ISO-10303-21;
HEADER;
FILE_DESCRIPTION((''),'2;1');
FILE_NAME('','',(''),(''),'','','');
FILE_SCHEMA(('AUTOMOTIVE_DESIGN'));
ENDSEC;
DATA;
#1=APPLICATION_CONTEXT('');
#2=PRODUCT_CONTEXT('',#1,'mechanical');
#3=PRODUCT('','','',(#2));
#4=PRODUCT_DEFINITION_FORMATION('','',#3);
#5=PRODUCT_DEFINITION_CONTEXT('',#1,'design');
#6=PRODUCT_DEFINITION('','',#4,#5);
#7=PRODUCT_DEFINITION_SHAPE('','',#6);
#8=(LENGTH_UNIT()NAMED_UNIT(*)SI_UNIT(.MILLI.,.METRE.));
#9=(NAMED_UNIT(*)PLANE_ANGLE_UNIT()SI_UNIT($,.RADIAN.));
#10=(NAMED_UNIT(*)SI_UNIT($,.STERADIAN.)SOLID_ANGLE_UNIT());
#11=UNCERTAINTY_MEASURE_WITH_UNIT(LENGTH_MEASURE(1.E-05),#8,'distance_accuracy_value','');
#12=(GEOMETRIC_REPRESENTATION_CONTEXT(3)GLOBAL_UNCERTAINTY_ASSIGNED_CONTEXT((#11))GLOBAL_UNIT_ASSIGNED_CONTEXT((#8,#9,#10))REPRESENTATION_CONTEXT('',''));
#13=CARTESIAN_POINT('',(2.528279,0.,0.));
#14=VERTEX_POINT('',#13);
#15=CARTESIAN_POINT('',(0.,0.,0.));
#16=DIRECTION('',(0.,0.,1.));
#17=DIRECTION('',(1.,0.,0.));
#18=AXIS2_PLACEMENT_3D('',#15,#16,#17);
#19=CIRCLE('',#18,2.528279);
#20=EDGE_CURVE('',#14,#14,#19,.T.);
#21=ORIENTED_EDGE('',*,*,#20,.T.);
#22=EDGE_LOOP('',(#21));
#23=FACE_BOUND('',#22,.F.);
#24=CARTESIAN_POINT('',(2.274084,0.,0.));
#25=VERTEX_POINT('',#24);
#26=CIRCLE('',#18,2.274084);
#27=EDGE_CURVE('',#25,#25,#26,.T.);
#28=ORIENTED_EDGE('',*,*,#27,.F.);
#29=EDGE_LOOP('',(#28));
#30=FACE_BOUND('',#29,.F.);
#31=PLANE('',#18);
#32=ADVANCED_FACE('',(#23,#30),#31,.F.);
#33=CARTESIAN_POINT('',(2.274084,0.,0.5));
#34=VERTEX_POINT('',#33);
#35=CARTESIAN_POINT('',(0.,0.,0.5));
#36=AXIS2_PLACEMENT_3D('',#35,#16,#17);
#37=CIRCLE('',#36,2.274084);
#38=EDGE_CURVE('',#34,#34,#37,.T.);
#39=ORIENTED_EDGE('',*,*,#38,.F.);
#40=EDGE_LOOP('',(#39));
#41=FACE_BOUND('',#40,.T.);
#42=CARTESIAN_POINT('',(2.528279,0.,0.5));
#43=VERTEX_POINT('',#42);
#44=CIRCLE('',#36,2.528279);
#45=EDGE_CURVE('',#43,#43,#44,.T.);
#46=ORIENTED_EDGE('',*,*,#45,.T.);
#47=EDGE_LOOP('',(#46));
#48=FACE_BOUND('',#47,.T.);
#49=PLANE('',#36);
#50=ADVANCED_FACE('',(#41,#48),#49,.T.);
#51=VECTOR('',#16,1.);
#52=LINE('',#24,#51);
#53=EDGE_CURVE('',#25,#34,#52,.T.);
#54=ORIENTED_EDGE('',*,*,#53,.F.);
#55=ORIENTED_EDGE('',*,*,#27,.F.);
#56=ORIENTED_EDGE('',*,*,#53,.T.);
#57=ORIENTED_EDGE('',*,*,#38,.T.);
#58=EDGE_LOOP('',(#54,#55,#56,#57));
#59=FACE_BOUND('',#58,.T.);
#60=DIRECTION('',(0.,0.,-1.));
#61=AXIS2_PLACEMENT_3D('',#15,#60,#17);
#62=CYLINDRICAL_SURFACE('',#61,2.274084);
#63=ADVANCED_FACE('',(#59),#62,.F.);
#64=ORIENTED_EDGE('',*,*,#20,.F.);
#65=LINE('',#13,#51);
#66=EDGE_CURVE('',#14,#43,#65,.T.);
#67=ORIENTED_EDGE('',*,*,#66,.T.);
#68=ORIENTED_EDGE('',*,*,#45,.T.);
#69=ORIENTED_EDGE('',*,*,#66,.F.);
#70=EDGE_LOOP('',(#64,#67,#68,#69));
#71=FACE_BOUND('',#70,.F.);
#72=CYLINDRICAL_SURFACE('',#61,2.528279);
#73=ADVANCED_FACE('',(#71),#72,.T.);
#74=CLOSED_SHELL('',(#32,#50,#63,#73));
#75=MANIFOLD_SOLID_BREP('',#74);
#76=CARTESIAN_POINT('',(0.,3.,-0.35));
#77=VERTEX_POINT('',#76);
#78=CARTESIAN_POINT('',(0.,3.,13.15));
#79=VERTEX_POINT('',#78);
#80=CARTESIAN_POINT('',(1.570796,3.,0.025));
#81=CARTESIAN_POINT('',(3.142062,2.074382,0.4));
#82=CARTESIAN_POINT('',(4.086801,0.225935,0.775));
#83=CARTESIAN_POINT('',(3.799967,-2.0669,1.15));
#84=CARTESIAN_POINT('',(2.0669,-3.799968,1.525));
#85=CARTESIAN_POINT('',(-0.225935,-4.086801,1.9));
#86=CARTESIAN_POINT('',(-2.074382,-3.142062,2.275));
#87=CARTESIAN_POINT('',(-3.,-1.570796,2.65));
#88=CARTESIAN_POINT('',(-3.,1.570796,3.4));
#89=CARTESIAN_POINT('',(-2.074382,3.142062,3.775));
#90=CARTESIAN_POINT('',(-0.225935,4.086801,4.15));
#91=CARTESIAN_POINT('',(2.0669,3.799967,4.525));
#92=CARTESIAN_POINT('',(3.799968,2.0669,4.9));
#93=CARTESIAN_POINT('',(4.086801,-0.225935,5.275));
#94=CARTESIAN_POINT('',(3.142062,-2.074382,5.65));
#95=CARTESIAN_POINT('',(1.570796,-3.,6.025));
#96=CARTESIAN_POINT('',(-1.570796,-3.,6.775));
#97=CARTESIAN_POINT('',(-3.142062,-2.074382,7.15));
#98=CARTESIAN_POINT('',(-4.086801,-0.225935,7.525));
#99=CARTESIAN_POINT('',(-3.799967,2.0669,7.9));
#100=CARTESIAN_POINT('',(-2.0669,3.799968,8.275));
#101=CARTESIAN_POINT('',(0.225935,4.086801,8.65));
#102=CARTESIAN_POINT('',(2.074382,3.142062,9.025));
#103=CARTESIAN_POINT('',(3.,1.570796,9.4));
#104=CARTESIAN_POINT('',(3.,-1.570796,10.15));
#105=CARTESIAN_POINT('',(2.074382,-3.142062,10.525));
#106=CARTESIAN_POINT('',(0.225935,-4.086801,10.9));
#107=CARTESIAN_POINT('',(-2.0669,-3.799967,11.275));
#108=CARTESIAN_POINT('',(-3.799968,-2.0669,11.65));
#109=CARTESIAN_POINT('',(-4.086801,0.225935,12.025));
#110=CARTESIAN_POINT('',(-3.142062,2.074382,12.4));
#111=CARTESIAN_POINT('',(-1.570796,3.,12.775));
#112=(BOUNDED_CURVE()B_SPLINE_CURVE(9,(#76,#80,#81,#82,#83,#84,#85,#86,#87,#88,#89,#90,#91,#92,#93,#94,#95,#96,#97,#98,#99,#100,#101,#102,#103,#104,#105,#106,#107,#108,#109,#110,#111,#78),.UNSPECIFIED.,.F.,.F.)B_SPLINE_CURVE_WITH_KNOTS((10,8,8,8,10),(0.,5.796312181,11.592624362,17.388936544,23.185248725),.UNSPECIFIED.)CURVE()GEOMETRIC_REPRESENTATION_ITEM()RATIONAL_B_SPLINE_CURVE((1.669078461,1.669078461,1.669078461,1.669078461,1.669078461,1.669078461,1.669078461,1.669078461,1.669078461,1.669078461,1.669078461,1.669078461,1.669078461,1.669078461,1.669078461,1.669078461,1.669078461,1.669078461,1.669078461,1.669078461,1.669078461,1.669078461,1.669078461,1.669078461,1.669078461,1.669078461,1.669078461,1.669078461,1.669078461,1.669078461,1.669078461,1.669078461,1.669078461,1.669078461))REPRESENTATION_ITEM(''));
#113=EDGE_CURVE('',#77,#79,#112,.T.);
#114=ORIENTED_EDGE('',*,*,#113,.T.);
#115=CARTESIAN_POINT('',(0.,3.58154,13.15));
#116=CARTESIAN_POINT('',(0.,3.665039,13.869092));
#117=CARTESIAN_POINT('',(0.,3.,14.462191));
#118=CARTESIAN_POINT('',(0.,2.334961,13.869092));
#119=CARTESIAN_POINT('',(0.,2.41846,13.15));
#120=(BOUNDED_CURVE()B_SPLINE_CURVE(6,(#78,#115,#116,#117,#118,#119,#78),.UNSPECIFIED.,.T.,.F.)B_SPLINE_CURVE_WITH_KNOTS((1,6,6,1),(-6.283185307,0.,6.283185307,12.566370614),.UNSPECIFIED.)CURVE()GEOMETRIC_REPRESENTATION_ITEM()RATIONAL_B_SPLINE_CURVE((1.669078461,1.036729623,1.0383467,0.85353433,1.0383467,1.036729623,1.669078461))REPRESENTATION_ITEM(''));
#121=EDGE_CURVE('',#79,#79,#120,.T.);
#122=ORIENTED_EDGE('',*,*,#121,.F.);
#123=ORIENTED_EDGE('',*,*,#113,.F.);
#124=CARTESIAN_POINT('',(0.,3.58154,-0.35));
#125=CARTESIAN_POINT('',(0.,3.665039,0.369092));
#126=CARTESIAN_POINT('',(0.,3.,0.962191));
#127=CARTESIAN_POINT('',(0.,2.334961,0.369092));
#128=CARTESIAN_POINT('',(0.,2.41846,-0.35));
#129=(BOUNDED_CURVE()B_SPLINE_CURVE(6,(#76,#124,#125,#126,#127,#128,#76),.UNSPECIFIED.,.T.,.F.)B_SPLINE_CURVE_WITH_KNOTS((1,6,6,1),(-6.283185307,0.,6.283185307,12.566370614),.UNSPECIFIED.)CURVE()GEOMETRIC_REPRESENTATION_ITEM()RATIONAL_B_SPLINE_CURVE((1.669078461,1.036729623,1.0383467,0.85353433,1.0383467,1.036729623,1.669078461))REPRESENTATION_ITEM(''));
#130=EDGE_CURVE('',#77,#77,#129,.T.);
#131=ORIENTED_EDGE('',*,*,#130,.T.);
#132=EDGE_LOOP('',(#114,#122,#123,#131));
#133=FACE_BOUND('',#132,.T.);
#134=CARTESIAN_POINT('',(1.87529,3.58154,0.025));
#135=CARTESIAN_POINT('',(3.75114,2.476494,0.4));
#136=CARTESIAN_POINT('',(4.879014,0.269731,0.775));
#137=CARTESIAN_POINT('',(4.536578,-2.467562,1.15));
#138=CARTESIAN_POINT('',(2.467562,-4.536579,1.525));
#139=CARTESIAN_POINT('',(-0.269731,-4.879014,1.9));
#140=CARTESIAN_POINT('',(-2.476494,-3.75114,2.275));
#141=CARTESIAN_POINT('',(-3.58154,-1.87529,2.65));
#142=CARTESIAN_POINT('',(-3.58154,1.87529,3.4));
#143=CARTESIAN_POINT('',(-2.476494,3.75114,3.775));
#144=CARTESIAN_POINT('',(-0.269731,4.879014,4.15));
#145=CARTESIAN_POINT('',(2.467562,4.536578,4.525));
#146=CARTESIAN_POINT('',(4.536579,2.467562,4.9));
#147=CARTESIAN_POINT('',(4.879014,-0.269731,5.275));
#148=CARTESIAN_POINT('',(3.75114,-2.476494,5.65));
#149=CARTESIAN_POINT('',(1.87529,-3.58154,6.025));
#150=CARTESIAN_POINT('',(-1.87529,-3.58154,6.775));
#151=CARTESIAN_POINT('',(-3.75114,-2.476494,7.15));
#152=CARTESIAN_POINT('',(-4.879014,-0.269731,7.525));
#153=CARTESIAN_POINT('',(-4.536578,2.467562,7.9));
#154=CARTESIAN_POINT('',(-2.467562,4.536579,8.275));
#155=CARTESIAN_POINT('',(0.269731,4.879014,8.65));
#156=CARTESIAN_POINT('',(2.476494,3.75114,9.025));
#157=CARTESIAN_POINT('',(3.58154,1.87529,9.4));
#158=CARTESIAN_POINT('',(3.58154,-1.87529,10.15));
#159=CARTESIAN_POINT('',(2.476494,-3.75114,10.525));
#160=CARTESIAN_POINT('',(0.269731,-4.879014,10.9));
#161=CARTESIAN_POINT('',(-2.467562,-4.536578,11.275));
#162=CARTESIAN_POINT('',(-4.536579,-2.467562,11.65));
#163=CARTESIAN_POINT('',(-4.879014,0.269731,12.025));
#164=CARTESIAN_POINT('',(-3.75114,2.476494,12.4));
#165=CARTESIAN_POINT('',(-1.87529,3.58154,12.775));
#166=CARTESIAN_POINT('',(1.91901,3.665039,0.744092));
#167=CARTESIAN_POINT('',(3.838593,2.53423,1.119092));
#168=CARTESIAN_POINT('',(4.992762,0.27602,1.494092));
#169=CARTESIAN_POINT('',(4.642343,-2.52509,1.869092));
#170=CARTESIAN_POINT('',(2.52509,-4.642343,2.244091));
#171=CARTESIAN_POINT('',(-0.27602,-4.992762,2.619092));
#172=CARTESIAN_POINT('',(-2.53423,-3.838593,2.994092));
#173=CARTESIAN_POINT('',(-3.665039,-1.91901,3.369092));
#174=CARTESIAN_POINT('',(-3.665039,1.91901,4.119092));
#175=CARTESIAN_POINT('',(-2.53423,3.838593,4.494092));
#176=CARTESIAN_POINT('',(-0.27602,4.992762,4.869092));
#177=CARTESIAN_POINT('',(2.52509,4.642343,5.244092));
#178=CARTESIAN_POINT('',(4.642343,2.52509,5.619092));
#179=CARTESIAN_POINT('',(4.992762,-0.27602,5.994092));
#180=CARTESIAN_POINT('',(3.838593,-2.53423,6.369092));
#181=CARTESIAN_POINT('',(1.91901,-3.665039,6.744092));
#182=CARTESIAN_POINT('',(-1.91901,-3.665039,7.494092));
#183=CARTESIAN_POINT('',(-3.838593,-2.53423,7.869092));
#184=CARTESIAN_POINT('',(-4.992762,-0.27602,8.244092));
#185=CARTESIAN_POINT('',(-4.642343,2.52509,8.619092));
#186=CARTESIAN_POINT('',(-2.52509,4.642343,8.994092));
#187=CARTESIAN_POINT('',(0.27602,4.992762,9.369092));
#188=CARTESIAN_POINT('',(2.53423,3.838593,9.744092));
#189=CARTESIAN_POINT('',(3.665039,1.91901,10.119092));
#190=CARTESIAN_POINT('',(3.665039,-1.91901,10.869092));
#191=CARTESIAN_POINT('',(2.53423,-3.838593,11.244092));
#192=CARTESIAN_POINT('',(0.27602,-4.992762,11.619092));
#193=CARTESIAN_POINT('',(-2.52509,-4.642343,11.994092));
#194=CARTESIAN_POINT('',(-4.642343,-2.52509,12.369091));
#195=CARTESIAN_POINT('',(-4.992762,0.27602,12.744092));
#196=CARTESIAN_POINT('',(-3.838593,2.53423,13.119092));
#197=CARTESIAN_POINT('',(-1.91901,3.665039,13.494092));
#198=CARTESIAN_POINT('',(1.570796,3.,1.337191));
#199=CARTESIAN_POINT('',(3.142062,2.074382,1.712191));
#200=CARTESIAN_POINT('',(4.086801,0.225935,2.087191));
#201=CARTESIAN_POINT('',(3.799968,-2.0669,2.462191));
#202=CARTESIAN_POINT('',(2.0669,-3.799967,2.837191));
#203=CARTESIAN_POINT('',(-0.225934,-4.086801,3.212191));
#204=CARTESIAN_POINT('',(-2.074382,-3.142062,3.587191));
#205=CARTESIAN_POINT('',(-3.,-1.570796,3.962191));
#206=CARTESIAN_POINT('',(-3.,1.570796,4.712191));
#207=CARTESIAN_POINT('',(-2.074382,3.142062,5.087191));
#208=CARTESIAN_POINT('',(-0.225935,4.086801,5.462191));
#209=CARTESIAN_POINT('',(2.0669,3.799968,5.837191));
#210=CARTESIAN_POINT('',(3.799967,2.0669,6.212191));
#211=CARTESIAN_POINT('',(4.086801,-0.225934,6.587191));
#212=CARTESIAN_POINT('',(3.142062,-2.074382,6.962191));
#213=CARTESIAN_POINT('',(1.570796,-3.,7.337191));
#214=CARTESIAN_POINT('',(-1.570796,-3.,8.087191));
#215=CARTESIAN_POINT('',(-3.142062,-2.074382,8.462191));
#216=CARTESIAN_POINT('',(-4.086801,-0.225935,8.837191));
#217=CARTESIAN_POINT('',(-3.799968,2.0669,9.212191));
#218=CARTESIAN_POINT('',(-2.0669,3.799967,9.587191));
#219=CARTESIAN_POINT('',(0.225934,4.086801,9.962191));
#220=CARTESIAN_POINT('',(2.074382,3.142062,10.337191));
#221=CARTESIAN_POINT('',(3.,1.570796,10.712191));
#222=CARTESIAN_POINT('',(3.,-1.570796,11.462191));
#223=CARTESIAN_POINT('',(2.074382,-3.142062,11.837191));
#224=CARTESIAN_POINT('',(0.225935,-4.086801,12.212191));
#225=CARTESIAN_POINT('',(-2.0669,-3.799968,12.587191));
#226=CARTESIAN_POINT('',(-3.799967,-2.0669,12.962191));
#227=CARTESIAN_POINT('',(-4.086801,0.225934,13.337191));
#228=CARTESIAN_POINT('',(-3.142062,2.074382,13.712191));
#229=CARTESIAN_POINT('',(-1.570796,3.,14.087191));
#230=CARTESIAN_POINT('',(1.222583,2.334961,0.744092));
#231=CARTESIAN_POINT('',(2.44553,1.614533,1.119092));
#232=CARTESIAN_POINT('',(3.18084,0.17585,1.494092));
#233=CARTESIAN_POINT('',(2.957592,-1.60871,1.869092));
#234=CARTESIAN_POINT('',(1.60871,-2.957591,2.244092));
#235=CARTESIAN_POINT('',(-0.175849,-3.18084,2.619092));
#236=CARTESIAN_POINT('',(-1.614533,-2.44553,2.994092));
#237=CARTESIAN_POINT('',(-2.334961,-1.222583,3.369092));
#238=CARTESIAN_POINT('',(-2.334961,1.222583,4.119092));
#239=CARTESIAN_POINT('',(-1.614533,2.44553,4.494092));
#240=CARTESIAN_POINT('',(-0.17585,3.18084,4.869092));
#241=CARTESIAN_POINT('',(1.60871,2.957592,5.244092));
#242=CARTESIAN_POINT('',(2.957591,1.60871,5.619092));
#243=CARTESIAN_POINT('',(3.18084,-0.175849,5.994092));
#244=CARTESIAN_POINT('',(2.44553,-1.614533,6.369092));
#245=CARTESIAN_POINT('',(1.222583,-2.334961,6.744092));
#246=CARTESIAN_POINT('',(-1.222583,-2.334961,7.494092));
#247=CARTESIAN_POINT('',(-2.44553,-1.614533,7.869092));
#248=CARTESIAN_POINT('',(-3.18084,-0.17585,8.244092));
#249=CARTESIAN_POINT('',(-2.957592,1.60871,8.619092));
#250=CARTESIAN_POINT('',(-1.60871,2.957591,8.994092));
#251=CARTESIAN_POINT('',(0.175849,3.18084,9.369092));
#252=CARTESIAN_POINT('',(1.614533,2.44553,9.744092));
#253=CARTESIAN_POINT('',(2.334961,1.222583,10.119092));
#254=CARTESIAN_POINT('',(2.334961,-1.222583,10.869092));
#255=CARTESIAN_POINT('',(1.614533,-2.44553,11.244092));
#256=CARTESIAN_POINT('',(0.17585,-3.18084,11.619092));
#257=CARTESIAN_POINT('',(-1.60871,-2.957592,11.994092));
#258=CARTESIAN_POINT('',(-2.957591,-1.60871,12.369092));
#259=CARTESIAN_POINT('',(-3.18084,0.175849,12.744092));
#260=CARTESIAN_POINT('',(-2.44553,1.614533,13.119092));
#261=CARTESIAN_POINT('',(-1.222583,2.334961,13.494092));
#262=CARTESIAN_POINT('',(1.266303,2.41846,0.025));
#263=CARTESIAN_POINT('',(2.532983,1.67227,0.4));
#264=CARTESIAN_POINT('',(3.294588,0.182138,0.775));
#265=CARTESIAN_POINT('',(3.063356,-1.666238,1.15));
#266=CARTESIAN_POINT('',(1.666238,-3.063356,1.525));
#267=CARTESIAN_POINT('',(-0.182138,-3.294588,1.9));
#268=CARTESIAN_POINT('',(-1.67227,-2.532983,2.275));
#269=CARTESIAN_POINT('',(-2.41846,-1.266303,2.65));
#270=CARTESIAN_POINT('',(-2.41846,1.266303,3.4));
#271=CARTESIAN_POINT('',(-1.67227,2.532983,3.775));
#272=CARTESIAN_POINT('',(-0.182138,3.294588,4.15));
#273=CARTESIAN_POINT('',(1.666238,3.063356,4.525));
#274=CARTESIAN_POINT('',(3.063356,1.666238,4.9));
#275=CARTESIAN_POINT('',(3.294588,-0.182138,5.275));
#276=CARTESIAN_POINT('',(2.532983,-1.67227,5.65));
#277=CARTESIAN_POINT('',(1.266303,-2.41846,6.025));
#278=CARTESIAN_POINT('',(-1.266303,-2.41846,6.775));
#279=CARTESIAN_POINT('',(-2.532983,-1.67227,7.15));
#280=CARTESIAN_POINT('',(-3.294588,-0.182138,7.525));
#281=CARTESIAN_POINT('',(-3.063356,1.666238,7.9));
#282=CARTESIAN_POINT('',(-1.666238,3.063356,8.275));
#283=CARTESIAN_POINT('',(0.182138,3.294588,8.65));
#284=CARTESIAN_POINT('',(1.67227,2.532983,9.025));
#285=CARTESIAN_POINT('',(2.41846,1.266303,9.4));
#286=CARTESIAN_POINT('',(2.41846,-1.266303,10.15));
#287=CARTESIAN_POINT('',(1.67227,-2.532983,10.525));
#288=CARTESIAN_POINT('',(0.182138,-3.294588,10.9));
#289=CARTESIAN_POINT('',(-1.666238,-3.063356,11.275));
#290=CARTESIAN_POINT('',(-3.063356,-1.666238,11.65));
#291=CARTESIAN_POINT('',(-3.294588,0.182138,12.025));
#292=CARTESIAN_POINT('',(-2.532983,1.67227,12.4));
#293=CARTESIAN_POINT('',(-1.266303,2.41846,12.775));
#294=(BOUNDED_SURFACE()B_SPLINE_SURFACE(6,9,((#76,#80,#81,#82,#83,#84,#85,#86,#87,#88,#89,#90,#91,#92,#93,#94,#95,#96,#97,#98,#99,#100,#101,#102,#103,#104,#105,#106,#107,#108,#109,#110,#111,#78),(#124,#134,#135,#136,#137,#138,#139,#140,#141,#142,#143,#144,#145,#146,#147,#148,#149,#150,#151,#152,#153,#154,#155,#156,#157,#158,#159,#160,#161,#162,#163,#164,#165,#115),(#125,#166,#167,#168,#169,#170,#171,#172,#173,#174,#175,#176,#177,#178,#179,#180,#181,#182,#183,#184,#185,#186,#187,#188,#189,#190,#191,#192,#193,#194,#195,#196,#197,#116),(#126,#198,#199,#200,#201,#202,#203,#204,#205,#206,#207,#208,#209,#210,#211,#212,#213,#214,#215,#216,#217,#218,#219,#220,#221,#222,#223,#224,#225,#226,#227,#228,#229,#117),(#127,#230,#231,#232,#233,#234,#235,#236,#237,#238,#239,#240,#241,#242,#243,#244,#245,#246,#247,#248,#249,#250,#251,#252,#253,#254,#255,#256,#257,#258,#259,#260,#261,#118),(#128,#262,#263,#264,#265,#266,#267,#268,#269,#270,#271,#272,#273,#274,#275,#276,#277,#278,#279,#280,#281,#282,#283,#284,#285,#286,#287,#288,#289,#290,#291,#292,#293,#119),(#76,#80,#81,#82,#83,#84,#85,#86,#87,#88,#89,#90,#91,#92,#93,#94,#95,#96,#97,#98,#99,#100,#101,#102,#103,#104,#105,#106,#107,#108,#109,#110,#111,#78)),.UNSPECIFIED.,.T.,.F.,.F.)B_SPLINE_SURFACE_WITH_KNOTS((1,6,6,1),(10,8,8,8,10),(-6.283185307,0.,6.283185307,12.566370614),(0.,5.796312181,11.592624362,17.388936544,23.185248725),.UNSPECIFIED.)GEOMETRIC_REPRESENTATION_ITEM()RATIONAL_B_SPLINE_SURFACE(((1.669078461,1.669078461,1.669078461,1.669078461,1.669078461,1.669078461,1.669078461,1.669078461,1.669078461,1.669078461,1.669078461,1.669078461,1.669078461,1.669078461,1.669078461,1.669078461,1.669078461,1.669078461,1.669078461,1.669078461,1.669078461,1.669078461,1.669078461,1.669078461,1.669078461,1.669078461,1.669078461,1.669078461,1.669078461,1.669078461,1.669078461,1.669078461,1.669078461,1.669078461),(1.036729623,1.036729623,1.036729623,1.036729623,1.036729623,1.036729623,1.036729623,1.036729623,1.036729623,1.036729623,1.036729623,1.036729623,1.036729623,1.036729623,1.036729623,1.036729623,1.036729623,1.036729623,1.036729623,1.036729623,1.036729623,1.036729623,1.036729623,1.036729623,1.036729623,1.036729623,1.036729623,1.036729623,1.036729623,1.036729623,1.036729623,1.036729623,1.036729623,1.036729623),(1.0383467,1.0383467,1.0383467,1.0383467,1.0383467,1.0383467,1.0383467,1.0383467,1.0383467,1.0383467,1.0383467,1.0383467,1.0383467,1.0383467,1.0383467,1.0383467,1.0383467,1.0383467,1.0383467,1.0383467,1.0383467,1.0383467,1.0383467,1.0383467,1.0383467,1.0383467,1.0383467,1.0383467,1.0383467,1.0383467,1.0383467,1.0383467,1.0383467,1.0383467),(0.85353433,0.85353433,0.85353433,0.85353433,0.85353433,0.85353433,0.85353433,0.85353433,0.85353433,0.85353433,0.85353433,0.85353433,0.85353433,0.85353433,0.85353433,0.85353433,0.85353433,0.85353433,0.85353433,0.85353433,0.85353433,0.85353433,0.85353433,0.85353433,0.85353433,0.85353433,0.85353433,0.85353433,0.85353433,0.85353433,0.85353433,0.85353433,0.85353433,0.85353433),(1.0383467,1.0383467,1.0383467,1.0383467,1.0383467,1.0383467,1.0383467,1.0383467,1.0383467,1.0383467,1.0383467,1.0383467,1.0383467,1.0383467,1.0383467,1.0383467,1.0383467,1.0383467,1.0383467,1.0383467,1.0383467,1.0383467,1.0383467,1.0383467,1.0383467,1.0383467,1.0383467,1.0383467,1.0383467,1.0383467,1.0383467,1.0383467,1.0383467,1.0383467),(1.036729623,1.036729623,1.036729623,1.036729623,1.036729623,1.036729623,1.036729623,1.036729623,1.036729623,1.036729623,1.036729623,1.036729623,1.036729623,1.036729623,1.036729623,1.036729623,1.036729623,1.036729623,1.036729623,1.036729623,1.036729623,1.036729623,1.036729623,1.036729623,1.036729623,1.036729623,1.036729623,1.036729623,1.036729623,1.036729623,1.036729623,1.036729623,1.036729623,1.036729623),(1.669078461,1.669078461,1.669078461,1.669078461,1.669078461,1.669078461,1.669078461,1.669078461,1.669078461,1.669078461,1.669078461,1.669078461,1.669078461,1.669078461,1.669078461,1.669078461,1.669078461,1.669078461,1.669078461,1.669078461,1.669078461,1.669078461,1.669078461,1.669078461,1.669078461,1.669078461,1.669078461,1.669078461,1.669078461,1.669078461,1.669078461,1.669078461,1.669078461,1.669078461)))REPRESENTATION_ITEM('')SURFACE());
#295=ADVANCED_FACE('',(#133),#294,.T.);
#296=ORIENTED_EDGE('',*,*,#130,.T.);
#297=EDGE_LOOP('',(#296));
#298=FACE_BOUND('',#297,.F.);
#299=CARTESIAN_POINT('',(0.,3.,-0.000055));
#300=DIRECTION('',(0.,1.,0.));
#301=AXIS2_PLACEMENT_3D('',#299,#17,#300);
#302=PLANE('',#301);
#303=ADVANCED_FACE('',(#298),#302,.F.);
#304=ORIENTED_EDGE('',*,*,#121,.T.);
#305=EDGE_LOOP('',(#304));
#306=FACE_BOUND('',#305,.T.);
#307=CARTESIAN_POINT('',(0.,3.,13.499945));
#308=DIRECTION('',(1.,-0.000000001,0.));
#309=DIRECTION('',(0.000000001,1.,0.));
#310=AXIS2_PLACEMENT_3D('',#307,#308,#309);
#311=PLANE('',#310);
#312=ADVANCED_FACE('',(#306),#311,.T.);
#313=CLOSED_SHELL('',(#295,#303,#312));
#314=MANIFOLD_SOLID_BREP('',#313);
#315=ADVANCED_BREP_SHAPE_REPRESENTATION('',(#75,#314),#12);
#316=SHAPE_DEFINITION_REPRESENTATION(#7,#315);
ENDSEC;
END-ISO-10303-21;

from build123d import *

# Parameters (mm, degrees)
BALAYAGE1_PITCH       = 4.5
BALAYAGE1_HEIGHT      = 13.5
BALAYAGE1_RADIUS      = 3
BALAYAGE1_START_ANGLE = 90
ESQUISSE2_R           = 0.35
ESQUISSE3_R           = 2.528279304
ESQUISSE3_R_2         = 2.274083759
BOSS_EXTRU_1_DEPTH    = 0.5


with BuildPart() as part:
    # Balayage1: sweep along a helix
    with BuildLine() as balayage1_path:
        add(Helix(BALAYAGE1_PITCH, BALAYAGE1_HEIGHT, BALAYAGE1_RADIUS, center=(0, 0, 0), direction=(0, 0, 1), lefthand=True, mode=Mode.PRIVATE).rotate(Axis((0, 0, 0), (0, 0, 1)), BALAYAGE1_START_ANGLE))
    # Esquisse2 → Balayage1 (sweep)
    with BuildSketch(Plane(origin=(0, 0, 0), x_dir=(0, 0, -1), z_dir=(1, 0, 0))):
        with Locations((0, 3)):
            Circle(ESQUISSE2_R)
    sweep(path=balayage1_path.line, is_frenet=True)


with BuildPart() as body_2:
    # Esquisse3 → Boss.-Extru.1 (new body)
    with BuildSketch(Plane.XY):
        Circle(ESQUISSE3_R)
        Circle(ESQUISSE3_R_2, mode=Mode.SUBTRACT)
    extrude(amount=BOSS_EXTRU_1_DEPTH)


solid = Compound([part.part, body_2.part])
